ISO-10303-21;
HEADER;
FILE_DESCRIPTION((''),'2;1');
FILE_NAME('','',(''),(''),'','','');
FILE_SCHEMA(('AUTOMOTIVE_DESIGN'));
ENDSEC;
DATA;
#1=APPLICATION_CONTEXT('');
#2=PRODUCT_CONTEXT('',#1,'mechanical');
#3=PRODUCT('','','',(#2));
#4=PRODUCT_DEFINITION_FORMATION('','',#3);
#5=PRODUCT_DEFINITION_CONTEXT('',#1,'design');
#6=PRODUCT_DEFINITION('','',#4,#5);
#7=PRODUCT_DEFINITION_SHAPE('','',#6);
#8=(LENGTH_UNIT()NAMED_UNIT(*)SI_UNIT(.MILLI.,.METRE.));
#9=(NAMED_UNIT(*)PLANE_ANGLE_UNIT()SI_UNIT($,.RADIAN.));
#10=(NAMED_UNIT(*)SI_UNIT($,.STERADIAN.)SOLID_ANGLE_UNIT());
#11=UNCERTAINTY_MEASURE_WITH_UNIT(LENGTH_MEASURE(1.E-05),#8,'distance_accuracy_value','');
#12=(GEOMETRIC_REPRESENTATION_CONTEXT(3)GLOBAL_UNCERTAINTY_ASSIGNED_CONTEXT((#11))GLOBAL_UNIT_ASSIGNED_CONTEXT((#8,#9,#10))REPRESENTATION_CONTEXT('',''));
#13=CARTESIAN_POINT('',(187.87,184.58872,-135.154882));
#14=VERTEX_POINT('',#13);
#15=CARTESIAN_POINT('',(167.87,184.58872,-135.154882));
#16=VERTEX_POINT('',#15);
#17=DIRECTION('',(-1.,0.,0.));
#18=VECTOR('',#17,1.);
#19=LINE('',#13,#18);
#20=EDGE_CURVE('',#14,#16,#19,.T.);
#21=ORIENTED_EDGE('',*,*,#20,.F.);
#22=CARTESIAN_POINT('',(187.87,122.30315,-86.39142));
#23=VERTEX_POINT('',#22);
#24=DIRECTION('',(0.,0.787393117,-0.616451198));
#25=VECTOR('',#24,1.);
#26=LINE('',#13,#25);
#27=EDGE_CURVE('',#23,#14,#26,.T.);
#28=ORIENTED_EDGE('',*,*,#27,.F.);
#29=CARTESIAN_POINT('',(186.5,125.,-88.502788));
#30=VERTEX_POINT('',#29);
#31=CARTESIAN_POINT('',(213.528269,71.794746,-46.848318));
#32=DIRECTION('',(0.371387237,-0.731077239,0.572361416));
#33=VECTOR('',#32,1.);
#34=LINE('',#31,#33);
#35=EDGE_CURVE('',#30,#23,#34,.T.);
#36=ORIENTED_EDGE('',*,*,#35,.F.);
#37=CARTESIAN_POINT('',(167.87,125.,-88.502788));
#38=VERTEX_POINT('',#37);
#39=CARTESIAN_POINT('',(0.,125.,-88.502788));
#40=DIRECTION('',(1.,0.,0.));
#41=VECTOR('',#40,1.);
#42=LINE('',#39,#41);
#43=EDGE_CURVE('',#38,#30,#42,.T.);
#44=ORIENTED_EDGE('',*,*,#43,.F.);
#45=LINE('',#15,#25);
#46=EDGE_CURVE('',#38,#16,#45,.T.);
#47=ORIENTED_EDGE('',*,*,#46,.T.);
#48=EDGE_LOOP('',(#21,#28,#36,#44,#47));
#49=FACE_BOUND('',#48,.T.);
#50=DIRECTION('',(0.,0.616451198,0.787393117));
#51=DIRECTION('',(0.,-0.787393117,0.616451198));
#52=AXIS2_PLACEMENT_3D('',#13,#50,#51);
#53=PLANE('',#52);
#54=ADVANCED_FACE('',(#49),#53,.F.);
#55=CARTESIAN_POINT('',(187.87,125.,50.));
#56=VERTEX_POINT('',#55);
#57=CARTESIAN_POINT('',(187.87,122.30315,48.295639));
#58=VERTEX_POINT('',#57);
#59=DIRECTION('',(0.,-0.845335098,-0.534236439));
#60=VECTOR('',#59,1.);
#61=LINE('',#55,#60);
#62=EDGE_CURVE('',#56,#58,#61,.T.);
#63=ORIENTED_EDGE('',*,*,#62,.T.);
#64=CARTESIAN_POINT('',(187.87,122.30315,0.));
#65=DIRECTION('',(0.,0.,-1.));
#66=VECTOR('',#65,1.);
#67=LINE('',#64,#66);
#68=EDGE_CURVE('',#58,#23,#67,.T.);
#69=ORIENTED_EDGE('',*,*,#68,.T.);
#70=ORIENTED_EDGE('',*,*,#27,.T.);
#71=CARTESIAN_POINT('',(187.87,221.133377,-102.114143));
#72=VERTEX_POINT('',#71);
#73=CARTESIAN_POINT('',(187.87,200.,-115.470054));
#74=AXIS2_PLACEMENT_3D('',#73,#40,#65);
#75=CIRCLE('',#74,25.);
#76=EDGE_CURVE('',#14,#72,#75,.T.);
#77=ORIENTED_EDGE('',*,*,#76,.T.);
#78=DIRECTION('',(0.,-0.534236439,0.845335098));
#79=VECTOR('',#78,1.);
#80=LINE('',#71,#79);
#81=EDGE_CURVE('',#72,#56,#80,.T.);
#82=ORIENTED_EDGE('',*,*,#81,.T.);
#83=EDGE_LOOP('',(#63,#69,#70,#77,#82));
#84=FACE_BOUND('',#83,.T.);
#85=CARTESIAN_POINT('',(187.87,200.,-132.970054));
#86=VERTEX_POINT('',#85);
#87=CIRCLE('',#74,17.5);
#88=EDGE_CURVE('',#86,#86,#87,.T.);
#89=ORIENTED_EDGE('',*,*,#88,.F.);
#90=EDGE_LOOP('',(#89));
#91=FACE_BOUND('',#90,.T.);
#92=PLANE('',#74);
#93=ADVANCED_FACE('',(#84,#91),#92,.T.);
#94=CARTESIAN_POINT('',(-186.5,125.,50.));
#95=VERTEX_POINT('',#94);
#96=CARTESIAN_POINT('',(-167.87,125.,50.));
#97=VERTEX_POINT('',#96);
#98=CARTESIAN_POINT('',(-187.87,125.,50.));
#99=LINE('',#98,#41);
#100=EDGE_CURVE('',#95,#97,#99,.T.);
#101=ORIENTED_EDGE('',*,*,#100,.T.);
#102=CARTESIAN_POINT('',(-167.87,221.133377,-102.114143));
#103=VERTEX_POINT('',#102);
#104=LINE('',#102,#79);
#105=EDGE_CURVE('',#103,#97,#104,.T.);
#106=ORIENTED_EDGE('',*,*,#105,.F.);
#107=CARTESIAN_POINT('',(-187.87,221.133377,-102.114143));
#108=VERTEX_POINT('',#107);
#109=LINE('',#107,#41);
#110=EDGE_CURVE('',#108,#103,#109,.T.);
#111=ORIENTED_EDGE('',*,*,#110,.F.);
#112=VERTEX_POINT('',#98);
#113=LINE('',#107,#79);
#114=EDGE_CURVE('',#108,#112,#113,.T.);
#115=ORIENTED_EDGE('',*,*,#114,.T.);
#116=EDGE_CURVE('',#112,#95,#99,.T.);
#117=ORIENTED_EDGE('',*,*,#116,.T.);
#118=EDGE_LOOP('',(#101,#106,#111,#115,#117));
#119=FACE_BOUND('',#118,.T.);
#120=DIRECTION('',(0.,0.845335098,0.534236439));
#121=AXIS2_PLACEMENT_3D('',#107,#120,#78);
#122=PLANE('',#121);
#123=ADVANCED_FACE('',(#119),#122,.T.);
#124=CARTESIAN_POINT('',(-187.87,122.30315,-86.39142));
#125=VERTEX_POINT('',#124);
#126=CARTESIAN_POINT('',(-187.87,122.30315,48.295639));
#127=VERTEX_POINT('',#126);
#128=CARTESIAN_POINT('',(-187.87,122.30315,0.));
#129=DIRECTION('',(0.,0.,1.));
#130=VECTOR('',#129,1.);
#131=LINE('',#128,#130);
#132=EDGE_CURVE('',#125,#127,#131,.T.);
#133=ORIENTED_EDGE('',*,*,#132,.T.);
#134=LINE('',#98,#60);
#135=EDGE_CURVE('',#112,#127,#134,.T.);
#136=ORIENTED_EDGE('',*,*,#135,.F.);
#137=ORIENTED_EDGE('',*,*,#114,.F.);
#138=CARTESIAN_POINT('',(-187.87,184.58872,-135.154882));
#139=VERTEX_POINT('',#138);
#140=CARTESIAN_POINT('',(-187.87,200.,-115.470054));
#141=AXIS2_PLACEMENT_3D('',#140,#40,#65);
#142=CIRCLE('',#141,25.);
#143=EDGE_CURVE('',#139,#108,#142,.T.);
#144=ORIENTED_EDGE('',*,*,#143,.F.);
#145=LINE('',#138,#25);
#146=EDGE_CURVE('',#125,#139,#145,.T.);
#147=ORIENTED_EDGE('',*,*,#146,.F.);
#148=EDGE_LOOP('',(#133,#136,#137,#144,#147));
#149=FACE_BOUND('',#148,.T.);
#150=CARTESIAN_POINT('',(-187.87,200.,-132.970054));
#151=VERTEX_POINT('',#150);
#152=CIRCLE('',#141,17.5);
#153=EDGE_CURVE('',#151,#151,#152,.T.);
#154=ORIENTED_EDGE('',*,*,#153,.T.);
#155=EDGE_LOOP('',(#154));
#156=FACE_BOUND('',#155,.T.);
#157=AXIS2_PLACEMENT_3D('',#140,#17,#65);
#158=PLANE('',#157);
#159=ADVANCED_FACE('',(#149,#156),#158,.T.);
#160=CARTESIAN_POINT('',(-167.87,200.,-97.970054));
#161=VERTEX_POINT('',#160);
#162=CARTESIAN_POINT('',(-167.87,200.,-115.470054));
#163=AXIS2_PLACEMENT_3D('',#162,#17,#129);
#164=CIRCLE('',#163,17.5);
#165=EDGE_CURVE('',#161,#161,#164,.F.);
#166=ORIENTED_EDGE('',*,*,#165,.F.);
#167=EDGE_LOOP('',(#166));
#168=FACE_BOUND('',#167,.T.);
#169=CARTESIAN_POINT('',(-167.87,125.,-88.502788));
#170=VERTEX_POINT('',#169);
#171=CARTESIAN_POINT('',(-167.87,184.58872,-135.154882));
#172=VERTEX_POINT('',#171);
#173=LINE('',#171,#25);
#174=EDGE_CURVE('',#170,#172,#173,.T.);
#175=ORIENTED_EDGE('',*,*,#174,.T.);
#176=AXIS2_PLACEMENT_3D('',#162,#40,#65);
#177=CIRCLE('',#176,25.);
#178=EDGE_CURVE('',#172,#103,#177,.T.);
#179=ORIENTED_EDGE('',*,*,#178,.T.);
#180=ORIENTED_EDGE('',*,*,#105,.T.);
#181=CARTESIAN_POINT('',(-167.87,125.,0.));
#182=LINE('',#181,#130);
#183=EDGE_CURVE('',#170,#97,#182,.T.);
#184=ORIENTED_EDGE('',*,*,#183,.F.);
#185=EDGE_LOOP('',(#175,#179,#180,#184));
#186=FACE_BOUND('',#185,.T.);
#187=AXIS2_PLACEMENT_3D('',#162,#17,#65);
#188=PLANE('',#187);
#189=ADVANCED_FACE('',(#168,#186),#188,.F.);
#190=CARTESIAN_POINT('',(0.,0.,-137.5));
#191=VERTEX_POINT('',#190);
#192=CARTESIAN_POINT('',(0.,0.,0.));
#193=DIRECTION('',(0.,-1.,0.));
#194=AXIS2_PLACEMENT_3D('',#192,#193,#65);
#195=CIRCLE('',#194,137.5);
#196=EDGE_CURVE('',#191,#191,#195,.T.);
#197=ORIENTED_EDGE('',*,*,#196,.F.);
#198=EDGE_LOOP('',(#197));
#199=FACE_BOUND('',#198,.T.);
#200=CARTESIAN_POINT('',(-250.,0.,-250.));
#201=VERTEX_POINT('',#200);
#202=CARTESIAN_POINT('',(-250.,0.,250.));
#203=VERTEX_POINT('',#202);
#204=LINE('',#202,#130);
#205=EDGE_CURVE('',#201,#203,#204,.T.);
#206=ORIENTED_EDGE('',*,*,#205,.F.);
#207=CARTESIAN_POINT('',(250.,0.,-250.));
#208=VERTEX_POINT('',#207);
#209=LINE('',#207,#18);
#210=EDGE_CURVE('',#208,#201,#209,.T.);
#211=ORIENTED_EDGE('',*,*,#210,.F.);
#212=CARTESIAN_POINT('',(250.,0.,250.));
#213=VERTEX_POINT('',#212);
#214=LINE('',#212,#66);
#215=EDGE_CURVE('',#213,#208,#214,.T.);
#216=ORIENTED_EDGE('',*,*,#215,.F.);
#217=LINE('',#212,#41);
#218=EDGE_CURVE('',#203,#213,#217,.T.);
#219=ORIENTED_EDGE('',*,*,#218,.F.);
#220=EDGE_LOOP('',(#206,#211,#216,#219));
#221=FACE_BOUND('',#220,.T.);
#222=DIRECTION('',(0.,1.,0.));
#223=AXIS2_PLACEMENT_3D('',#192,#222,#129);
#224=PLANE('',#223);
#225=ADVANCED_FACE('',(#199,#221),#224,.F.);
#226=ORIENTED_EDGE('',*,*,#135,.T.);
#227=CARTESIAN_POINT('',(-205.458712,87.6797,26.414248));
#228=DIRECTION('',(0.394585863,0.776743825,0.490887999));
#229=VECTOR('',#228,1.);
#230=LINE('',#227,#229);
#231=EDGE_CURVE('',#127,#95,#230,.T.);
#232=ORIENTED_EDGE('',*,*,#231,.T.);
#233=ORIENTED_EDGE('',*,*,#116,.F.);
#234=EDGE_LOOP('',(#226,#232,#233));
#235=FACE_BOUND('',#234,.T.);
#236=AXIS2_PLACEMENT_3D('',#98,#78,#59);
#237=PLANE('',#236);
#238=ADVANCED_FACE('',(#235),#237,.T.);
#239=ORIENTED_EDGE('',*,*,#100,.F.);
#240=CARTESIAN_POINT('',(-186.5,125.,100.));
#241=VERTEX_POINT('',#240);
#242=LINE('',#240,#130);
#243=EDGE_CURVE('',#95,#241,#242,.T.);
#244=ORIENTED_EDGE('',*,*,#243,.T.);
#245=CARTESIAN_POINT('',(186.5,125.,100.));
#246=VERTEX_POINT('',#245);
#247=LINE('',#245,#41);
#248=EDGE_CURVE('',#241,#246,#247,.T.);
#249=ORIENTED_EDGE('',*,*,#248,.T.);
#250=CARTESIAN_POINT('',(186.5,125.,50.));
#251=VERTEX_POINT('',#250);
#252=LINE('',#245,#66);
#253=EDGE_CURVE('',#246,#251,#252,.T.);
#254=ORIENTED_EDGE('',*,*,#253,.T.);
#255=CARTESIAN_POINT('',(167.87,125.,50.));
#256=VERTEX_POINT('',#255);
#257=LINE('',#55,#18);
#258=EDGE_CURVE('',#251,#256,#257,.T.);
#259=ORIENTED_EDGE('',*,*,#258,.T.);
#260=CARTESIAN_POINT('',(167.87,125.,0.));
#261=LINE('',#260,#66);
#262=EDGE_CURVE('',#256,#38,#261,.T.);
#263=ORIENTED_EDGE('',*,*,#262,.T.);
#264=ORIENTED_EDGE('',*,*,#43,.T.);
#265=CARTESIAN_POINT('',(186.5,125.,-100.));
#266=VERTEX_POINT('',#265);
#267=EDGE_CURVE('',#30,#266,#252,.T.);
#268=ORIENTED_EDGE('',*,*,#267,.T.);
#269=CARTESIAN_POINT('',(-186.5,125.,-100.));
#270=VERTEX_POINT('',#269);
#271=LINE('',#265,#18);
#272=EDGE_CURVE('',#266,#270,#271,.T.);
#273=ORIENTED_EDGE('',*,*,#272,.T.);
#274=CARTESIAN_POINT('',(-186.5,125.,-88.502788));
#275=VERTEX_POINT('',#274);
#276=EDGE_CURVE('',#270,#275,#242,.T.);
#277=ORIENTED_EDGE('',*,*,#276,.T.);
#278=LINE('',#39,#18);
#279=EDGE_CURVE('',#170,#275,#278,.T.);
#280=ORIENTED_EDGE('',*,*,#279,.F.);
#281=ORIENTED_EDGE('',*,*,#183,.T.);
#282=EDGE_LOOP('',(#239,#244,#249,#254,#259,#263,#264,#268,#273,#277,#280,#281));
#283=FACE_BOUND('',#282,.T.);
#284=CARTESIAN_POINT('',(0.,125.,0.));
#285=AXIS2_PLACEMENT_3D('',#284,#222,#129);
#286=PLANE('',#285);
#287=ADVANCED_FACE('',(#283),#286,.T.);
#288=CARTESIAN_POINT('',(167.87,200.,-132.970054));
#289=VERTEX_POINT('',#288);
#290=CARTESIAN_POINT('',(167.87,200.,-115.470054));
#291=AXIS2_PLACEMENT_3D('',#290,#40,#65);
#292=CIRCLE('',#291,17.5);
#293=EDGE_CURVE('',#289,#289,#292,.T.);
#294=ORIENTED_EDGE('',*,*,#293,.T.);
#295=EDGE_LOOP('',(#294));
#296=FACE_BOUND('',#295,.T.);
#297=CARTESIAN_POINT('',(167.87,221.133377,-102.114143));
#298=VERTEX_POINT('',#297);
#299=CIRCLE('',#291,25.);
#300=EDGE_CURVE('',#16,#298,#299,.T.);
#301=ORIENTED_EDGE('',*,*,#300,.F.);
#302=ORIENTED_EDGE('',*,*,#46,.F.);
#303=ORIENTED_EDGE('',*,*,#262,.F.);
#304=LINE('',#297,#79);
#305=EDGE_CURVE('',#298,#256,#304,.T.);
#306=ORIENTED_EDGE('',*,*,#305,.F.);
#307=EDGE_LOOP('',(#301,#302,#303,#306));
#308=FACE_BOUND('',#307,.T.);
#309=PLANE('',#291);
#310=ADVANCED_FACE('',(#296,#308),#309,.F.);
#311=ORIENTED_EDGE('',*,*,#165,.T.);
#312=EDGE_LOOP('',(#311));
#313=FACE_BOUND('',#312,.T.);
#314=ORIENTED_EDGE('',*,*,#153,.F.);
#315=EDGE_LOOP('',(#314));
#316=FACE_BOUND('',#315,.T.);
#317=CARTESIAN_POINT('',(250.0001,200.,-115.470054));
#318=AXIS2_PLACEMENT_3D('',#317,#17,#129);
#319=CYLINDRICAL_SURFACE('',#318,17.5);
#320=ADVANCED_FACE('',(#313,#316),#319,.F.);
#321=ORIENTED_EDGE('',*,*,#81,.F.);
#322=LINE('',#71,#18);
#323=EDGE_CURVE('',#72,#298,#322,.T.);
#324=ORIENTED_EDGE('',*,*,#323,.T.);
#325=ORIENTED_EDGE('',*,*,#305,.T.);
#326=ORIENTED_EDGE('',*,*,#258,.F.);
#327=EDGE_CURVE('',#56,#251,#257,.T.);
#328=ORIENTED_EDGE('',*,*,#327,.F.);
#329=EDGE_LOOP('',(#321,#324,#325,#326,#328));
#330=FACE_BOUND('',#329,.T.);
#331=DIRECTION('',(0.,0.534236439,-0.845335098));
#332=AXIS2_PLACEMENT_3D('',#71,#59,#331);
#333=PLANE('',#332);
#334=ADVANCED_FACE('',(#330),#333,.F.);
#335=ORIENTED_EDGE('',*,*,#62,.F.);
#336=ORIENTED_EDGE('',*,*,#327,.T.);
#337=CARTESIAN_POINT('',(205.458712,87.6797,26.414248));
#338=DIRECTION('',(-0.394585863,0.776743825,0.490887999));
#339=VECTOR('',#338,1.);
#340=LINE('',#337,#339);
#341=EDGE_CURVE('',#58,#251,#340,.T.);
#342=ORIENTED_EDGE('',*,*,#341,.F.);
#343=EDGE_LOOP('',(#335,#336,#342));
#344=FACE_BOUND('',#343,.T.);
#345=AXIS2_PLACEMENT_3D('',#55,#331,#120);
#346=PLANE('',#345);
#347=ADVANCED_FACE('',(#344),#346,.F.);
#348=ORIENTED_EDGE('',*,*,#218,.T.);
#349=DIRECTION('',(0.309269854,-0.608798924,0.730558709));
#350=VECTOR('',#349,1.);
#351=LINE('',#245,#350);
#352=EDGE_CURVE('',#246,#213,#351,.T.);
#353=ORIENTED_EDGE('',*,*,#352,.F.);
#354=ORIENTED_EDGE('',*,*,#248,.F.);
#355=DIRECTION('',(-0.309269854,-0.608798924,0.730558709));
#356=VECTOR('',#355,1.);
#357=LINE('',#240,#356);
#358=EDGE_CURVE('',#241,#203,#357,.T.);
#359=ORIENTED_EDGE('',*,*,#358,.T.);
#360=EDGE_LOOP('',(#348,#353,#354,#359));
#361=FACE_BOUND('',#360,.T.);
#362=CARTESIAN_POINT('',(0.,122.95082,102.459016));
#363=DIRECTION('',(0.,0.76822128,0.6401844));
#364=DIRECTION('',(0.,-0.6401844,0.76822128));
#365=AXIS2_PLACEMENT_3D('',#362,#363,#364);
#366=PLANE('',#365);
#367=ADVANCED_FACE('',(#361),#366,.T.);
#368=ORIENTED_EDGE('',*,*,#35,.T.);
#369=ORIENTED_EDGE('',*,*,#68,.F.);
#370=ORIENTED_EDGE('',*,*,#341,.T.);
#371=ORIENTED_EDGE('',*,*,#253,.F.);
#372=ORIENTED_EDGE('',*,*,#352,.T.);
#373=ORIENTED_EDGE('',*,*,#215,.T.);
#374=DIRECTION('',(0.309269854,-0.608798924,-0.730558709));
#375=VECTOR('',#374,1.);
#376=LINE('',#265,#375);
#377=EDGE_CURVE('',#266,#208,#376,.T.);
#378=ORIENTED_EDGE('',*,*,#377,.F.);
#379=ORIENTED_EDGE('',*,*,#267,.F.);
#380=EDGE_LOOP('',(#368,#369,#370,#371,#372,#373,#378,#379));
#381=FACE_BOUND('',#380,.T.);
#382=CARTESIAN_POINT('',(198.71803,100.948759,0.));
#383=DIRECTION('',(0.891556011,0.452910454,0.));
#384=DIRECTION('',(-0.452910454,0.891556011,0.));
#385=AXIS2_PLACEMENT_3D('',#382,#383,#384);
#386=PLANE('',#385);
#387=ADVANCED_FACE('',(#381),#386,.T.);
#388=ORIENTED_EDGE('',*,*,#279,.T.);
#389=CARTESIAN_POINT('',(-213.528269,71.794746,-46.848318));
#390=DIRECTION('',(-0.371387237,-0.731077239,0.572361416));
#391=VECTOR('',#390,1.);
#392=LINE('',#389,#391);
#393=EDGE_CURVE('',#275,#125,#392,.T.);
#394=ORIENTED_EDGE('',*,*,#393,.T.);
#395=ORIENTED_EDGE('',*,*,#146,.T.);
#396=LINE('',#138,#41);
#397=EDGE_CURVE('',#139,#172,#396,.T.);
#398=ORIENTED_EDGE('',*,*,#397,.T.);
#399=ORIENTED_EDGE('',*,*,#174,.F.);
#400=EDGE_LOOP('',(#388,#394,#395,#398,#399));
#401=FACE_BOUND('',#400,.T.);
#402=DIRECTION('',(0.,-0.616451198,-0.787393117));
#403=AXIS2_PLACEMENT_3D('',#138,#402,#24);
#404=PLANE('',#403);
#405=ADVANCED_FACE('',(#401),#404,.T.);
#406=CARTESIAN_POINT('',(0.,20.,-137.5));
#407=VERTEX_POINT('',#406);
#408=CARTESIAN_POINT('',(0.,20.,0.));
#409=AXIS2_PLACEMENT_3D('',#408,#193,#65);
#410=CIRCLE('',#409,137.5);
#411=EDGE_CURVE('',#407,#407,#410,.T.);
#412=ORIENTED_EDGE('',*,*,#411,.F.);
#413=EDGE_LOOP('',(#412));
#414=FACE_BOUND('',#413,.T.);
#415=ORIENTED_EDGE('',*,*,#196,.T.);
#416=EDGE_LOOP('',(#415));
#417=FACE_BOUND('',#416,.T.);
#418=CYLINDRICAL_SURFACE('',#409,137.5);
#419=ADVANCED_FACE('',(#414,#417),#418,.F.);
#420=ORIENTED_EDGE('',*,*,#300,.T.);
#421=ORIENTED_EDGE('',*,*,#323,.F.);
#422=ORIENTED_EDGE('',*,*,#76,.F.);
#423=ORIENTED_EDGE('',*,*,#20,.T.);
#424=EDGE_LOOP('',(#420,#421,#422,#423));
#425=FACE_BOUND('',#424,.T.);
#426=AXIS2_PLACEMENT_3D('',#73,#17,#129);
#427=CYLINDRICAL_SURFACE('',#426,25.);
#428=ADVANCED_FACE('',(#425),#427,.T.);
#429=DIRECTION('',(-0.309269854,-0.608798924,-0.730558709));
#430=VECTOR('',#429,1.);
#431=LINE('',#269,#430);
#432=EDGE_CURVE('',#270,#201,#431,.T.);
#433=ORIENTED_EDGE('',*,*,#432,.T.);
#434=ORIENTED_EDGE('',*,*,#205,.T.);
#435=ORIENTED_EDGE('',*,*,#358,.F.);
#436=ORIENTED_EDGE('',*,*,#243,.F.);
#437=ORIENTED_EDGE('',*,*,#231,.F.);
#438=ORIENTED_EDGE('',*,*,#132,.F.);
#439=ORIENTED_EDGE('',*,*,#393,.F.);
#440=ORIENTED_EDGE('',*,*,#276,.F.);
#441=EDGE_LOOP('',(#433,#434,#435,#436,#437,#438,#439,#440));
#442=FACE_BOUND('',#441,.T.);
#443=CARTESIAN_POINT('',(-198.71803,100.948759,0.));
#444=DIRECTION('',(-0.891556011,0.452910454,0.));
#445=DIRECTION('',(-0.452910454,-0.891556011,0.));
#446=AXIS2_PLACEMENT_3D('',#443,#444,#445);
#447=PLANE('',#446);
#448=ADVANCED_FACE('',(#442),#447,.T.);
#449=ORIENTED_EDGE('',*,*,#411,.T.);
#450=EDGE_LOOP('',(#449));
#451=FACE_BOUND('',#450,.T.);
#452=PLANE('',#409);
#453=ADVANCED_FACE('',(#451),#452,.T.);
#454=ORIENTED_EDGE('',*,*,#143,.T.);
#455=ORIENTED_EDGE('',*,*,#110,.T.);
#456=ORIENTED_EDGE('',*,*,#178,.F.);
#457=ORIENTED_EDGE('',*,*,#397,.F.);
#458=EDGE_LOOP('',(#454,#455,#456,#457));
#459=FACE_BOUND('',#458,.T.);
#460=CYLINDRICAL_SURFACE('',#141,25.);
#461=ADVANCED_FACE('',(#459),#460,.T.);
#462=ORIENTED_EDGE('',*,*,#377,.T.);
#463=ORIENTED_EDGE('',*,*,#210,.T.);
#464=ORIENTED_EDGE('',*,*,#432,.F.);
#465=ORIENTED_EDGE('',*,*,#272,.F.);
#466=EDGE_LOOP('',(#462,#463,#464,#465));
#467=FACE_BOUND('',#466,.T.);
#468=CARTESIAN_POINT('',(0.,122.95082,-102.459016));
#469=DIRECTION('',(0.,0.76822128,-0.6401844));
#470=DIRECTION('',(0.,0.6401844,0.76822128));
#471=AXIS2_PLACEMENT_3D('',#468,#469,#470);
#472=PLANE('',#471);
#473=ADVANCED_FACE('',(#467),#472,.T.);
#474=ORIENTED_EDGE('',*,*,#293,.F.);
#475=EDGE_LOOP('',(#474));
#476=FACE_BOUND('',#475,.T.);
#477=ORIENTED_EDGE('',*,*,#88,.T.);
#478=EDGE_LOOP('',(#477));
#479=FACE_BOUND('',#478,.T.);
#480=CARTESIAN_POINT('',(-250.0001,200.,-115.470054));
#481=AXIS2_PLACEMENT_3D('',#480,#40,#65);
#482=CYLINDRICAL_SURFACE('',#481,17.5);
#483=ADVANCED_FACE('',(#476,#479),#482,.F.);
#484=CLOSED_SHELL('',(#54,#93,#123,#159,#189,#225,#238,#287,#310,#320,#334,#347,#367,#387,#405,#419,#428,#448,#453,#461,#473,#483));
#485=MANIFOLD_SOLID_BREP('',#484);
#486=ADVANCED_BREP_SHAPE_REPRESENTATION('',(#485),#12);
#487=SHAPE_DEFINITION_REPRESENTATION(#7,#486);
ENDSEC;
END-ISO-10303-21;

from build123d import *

# Parameters (mm, degrees)
SKETCH4_R           = 137.5
CUT_EXTRUDE1_DEPTH  = 20
BOSS_EXTRUDE1_START = 167.87
BOSS_EXTRUDE1_DEPTH = 20
SKETCH6_R           = 17.5
CUT_EXTRUDE2_DEPTH  = 553.13688256


with BuildPart() as part:
    # Sketch3 → Loft1 section 0
    with BuildSketch(Plane(origin=(0, 125, 0), x_dir=(1, 0, 0), z_dir=(0, 1, 0))):
        with BuildLine():
            Line((186.5, -100), (-186.5, -100))
            Line((-186.5, -100), (-186.5, 100))
            Line((-186.5, 100), (186.5, 100))
            Line((186.5, 100), (186.5, -100))
        make_face()
    # Sketch2 → Loft1 section 1
    with BuildSketch(Plane(origin=(0, 0, 0), x_dir=(1, 0, 0), z_dir=(0, 1, 0))):
        with BuildLine():
            Line((250, -250), (-250, -250))
            Line((-250, -250), (-250, 250))
            Line((-250, 250), (250, 250))
            Line((250, 250), (250, -250))
        make_face()
    loft()

    # Sketch4 → Cut-Extrude1 (cut)
    with BuildSketch(Plane.XZ):
        with Locations(Location((0, 0, 0), (0, 0, 270))):
            Circle(SKETCH4_R)
    extrude(amount=-CUT_EXTRUDE1_DEPTH, mode=Mode.SUBTRACT)

    # Sketch5 → Boss-Extrude1 (add)
    with BuildSketch(Plane(origin=(0, 54.782797639, 0), x_dir=(0, 0, -1), z_dir=(1, 0, 0)).offset(BOSS_EXTRUDE1_START)):
        with BuildLine():
            Line((102.114142863, 166.350579801), (-50, 70.217202361))
            Line((-50, 70.217202361), (11.864642245, -27.672701013))
            Line((11.864642245, -27.672701013), (135.154881767, 129.805922421))
            ThreePointArc((135.154881767, 129.805922421), (134.01437354, 161.983484202), (102.114142863, 166.350579801))
        make_face()
    boss_extrude1 = extrude(amount=BOSS_EXTRUDE1_DEPTH)

    # Sketch6 → Cut-Extrude2 (cut, through all)
    with BuildSketch(Plane(origin=(187.87, 0, 0), x_dir=(0, 0, -1), z_dir=(1, 0, 0))):
        with Locations((115.470053838, 200)):
            Circle(SKETCH6_R)
    cut_extrude2 = extrude(amount=-CUT_EXTRUDE2_DEPTH, mode=Mode.SUBTRACT)

    # Mirror1: Boss-Extrude1, Cut-Extrude2 across plane
    add(boss_extrude1.mirror(Plane(origin=(0, 0, 0), x_dir=(0, 0, 1), z_dir=(1, 0, 0))))
    add(cut_extrude2.mirror(Plane(origin=(0, 0, 0), x_dir=(0, 0, 1), z_dir=(1, 0, 0))), mode=Mode.SUBTRACT)


solid = part.part
